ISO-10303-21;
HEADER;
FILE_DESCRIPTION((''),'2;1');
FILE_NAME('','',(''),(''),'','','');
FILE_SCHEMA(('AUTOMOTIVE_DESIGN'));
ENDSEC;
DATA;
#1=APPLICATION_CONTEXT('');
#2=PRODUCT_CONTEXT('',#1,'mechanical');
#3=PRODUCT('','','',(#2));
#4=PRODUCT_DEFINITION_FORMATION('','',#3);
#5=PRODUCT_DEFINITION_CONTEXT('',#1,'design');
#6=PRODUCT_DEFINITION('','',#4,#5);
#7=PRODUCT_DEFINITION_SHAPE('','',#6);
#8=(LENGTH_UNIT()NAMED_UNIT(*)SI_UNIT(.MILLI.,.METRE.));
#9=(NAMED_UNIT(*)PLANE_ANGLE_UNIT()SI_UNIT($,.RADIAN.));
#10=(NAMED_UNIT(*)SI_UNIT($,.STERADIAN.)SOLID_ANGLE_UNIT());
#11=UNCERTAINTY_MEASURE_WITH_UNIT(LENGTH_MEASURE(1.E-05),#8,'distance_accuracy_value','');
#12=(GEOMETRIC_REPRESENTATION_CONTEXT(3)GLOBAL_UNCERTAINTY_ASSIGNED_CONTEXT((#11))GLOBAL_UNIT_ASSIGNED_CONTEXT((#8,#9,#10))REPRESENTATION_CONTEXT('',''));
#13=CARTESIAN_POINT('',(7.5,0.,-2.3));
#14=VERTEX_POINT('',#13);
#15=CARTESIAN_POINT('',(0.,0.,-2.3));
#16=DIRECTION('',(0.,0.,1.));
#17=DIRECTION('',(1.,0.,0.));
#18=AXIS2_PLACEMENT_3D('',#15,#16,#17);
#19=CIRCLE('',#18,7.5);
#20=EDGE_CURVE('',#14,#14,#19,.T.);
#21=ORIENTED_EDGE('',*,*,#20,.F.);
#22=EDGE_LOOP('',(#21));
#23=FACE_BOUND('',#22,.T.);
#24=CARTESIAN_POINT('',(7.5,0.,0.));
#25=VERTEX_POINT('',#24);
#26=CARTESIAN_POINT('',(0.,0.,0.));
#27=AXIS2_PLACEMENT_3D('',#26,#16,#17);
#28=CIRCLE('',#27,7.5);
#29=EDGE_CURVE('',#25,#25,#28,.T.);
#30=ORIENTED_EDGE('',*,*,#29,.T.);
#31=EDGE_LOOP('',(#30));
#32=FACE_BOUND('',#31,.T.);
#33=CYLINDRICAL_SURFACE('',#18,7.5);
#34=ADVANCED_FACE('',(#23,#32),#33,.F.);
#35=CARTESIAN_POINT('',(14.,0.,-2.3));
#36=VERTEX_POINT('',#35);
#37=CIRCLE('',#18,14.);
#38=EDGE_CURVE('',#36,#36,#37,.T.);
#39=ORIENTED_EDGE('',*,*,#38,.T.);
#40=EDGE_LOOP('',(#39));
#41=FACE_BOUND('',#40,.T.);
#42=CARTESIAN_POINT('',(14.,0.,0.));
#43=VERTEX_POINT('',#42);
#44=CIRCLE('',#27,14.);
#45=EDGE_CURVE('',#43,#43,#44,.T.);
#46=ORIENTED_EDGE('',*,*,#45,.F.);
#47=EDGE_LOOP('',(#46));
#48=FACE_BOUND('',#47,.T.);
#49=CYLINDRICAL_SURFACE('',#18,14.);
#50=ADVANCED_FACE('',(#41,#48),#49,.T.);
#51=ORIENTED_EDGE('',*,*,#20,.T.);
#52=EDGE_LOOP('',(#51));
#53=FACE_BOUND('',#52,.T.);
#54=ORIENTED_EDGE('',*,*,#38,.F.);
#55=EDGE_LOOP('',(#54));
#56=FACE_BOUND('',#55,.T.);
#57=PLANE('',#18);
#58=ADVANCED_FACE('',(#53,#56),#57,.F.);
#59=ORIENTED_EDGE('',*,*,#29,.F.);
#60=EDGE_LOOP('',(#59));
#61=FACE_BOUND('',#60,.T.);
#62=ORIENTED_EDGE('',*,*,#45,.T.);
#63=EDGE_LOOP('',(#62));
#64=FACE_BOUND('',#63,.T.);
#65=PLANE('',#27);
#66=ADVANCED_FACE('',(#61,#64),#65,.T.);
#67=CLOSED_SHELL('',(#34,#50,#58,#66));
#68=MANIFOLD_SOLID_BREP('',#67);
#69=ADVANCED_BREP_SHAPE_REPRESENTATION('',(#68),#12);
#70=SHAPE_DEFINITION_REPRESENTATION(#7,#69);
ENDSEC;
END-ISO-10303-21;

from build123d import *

# Parameters (mm, degrees)
SKETCH1_R      = 14
SKETCH1_R_2    = 7.5
EXTRUDE1_DEPTH = 2.3


with BuildPart() as part:
    # Sketch1 → Extrude1 (new body)
    with BuildSketch(Plane.XY):
        Circle(SKETCH1_R)
        Circle(SKETCH1_R_2, mode=Mode.SUBTRACT)
    extrude(amount=-EXTRUDE1_DEPTH)


solid = part.part
